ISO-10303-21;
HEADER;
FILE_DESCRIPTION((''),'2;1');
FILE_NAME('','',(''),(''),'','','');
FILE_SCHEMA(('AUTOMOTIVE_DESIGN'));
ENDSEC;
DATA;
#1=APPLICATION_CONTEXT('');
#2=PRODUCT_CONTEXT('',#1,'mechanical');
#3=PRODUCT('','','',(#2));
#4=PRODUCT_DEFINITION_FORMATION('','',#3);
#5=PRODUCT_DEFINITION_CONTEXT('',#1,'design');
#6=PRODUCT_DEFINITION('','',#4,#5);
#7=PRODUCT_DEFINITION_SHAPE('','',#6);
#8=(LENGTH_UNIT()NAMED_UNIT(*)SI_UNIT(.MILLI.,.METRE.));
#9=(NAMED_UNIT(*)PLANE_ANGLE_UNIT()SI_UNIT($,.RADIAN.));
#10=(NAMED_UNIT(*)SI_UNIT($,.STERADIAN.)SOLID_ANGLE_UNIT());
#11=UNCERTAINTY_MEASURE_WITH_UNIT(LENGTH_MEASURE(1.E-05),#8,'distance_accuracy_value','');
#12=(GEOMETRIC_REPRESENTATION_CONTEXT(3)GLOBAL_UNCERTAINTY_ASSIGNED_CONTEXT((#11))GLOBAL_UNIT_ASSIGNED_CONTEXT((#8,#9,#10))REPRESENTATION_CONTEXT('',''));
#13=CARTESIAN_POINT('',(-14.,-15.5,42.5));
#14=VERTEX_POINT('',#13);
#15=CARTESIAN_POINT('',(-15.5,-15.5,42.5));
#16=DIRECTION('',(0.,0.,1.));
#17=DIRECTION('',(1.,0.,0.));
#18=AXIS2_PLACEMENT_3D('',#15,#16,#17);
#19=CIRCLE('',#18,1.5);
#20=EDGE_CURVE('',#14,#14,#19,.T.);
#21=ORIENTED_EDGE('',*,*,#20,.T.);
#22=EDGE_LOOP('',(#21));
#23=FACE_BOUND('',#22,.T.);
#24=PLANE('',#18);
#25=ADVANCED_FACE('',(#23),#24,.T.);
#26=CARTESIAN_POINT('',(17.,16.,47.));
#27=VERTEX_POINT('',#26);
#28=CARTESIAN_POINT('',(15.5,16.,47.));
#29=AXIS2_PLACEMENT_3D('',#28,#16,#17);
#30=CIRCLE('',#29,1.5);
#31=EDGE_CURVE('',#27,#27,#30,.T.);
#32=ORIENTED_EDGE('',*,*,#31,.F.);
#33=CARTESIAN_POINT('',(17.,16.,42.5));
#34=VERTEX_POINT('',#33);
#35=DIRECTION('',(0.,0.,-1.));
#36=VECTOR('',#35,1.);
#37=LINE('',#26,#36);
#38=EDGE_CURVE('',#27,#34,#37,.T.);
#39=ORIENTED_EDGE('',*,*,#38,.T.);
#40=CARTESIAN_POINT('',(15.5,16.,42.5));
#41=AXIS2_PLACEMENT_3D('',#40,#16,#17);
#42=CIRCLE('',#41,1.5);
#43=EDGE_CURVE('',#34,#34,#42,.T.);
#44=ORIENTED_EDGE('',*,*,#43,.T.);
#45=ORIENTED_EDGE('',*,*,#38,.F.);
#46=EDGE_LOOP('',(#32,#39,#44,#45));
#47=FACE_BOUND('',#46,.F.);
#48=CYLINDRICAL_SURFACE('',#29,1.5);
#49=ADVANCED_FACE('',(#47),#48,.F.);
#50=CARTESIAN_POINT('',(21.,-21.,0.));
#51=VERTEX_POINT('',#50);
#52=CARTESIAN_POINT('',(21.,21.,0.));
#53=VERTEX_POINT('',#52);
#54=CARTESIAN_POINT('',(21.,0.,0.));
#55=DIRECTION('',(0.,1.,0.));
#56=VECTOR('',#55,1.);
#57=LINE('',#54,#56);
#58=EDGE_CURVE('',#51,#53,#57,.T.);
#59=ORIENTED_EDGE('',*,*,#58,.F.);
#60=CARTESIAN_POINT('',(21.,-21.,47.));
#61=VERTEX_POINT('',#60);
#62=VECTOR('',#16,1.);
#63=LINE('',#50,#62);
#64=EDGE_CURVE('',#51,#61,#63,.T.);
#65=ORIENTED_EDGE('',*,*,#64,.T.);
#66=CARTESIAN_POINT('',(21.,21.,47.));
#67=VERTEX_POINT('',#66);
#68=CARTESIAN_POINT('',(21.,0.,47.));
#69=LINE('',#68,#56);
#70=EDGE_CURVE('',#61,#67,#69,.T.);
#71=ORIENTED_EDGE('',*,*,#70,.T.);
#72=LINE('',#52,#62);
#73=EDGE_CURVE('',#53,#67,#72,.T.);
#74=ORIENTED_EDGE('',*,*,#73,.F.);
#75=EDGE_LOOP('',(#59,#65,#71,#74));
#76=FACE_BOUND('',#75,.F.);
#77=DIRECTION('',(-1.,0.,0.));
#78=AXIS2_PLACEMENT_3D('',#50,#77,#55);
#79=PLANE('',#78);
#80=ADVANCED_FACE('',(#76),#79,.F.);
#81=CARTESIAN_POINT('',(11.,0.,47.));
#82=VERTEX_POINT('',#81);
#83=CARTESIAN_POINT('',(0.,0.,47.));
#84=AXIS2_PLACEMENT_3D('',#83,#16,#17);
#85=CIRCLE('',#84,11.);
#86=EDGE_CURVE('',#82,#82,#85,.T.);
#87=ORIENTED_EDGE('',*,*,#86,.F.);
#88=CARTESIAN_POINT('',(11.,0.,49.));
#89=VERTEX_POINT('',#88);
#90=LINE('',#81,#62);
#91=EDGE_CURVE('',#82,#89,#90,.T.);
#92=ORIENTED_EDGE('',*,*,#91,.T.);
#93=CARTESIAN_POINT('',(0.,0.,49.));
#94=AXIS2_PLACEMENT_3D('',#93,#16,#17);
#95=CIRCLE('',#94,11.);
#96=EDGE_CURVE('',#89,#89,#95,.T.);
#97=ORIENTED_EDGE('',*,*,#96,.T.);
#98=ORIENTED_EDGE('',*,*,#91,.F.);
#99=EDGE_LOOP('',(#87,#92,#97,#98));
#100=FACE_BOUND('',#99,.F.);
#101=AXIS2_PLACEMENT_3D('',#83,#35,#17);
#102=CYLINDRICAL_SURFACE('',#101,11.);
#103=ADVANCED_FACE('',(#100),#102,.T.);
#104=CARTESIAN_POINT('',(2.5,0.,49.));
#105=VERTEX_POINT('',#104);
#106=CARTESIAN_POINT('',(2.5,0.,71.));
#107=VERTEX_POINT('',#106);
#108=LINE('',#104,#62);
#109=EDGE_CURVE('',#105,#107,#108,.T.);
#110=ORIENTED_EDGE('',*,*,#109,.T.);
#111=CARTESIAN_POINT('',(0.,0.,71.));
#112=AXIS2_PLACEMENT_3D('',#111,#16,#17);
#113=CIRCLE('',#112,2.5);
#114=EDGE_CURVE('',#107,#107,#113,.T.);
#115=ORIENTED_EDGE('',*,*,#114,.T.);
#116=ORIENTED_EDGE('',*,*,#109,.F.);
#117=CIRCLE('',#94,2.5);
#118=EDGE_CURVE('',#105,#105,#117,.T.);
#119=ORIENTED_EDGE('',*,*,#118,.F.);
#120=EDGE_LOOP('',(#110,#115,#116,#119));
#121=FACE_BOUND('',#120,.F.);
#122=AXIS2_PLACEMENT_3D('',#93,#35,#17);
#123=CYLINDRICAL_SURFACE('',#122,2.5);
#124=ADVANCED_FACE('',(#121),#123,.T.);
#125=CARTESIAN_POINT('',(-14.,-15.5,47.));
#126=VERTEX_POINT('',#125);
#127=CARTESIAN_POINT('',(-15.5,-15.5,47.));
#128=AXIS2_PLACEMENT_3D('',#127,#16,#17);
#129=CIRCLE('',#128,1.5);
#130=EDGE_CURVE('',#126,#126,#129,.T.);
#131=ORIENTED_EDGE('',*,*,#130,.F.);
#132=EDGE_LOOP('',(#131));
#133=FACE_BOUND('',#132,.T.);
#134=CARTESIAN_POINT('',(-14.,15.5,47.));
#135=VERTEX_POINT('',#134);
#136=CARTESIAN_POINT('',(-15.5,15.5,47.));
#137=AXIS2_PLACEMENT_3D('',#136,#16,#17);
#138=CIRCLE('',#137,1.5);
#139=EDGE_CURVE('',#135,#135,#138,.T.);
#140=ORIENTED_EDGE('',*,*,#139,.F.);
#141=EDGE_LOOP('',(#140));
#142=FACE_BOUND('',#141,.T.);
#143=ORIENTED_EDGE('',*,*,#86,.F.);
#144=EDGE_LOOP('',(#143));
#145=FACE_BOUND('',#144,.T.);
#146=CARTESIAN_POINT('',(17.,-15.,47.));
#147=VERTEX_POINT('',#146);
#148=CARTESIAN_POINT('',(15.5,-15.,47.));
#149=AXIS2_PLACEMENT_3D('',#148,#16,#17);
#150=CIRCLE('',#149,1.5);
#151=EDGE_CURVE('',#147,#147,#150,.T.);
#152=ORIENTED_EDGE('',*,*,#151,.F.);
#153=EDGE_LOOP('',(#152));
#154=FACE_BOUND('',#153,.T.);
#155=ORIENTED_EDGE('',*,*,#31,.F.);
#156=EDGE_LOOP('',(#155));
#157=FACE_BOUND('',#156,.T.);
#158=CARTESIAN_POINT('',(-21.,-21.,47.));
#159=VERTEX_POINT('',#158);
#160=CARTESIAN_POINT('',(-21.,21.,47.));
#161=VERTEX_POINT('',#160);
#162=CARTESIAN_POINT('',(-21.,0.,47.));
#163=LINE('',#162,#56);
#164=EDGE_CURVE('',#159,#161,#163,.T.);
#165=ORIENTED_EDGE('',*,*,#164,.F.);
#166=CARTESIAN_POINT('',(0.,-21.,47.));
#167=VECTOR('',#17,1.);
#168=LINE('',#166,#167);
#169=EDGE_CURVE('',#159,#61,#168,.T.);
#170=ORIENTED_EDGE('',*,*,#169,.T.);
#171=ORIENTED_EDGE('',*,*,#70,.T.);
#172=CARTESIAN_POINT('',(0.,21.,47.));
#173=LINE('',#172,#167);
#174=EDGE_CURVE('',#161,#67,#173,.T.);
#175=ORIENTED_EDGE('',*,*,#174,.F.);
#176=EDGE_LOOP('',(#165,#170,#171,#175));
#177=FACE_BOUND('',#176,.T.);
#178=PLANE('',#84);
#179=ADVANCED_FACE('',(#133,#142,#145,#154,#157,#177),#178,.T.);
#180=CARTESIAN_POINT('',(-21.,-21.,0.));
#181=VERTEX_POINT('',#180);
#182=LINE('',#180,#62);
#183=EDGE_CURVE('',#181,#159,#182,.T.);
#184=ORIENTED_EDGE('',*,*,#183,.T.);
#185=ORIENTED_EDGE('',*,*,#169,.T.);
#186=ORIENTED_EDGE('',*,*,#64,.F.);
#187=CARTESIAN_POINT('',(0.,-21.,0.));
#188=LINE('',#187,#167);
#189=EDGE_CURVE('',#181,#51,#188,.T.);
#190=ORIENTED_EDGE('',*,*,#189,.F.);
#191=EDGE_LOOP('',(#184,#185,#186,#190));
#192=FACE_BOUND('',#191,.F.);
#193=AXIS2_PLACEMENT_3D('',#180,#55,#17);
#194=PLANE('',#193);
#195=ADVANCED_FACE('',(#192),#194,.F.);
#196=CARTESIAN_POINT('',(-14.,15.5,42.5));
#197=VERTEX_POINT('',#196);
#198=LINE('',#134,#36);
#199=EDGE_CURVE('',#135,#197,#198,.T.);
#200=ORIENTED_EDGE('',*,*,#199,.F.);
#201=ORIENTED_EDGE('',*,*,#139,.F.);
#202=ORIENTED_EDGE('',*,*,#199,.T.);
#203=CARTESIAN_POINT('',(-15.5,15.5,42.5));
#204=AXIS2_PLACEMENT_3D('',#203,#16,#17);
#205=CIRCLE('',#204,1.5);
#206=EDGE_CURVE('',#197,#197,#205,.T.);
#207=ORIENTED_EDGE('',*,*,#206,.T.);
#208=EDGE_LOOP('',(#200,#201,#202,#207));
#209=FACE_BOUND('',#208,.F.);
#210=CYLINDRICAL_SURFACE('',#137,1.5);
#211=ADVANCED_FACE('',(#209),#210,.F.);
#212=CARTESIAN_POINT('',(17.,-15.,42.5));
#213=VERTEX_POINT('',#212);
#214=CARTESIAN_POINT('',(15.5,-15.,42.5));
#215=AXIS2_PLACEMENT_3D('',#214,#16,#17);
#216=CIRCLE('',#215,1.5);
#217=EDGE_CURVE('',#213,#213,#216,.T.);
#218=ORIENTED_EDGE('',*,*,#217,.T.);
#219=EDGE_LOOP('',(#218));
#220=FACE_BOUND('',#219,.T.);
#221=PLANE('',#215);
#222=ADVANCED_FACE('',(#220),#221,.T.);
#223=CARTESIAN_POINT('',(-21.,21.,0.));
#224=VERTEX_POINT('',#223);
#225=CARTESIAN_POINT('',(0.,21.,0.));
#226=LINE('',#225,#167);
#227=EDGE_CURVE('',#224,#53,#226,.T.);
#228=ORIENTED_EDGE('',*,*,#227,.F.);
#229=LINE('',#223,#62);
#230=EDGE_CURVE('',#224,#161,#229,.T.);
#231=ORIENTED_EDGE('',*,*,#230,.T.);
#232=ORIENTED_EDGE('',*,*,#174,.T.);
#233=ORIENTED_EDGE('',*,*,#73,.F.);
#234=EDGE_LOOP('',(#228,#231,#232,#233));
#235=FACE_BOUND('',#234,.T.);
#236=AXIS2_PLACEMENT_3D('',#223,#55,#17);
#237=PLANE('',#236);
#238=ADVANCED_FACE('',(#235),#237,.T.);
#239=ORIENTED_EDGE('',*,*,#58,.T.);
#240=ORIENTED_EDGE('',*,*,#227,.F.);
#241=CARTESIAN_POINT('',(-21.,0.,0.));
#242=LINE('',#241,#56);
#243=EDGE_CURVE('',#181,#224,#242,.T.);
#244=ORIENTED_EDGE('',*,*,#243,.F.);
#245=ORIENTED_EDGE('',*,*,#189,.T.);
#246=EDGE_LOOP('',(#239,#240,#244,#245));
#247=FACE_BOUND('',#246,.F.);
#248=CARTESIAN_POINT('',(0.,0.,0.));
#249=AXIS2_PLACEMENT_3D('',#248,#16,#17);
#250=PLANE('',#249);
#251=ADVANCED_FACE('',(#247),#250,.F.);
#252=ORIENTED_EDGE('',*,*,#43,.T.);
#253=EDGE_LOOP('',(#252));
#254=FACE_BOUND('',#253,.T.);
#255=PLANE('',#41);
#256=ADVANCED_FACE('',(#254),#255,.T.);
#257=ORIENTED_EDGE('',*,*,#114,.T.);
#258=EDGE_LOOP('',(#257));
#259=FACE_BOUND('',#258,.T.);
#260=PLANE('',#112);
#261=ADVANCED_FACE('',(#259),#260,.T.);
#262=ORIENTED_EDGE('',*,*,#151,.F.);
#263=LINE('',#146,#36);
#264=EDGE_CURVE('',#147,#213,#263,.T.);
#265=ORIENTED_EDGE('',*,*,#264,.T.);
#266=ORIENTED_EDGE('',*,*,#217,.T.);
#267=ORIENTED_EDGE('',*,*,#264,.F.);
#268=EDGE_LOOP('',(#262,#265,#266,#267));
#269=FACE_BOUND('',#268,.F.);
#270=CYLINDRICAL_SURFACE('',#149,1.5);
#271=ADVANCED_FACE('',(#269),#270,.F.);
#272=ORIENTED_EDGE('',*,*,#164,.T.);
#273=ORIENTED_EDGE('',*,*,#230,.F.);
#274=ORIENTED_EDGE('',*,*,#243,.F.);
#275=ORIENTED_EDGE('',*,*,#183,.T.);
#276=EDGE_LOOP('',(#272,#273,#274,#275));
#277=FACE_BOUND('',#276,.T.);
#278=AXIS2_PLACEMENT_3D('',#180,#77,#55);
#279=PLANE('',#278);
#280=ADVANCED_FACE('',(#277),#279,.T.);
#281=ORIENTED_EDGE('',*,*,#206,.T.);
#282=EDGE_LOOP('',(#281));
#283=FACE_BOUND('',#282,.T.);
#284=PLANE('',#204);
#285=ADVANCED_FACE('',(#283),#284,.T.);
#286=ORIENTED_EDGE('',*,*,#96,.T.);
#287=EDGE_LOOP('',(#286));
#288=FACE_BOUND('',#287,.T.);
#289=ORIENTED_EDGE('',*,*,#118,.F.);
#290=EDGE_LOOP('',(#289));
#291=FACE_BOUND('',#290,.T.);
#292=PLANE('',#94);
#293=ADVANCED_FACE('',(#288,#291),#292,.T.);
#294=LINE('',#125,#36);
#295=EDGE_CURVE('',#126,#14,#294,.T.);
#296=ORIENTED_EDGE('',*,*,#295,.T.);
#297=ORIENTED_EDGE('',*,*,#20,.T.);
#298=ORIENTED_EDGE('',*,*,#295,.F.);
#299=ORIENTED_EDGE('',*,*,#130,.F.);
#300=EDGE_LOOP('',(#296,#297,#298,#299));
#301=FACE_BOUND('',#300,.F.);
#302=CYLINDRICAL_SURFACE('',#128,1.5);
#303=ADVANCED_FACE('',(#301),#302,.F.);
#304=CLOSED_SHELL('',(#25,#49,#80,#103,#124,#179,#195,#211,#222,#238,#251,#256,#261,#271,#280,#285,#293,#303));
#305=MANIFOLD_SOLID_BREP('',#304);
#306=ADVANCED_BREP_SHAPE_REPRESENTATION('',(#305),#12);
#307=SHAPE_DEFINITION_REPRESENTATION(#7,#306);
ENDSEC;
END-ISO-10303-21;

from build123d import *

# Parameters (mm, degrees)
SKETCH_W     = 42
SKETCH_H     = 42
PAD_DEPTH    = 47
SKETCH001_R  = 1.5
POCKET_DEPTH = 4.5
SKETCH002_R  = 11
PAD001_DEPTH = 2
SKETCH003_R  = 2.5
PAD002_DEPTH = 22


with BuildPart() as part:
    # Sketch → Pad (new body)
    with BuildSketch(Plane.XY):
        Rectangle(SKETCH_W, SKETCH_H)
    extrude(amount=PAD_DEPTH)

    # Sketch001 (on Face6 of Pad) → Pocket (cut)
    with BuildSketch(Plane.XY.offset(47)):
        with Locations((-15.5, 15.5)):
            Circle(SKETCH001_R)
        with Locations((15.5, 16)):
            Circle(SKETCH001_R)
        with Locations((15.5, -15)):
            Circle(SKETCH001_R)
        with Locations((-15.5, -15.5)):
            Circle(SKETCH001_R)
    extrude(amount=-POCKET_DEPTH, mode=Mode.SUBTRACT)

    # Sketch002 (on Face5 of Pocket) → Pad001 (join)
    with BuildSketch(Plane.XY.offset(47)):
        Circle(SKETCH002_R)
    extrude(amount=PAD001_DEPTH)

    # Sketch003 (on Face13 of Pad001) → Pad002 (join)
    with BuildSketch(Plane.XY.offset(49)):
        Circle(SKETCH003_R)
    extrude(amount=PAD002_DEPTH)


solid = part.part
